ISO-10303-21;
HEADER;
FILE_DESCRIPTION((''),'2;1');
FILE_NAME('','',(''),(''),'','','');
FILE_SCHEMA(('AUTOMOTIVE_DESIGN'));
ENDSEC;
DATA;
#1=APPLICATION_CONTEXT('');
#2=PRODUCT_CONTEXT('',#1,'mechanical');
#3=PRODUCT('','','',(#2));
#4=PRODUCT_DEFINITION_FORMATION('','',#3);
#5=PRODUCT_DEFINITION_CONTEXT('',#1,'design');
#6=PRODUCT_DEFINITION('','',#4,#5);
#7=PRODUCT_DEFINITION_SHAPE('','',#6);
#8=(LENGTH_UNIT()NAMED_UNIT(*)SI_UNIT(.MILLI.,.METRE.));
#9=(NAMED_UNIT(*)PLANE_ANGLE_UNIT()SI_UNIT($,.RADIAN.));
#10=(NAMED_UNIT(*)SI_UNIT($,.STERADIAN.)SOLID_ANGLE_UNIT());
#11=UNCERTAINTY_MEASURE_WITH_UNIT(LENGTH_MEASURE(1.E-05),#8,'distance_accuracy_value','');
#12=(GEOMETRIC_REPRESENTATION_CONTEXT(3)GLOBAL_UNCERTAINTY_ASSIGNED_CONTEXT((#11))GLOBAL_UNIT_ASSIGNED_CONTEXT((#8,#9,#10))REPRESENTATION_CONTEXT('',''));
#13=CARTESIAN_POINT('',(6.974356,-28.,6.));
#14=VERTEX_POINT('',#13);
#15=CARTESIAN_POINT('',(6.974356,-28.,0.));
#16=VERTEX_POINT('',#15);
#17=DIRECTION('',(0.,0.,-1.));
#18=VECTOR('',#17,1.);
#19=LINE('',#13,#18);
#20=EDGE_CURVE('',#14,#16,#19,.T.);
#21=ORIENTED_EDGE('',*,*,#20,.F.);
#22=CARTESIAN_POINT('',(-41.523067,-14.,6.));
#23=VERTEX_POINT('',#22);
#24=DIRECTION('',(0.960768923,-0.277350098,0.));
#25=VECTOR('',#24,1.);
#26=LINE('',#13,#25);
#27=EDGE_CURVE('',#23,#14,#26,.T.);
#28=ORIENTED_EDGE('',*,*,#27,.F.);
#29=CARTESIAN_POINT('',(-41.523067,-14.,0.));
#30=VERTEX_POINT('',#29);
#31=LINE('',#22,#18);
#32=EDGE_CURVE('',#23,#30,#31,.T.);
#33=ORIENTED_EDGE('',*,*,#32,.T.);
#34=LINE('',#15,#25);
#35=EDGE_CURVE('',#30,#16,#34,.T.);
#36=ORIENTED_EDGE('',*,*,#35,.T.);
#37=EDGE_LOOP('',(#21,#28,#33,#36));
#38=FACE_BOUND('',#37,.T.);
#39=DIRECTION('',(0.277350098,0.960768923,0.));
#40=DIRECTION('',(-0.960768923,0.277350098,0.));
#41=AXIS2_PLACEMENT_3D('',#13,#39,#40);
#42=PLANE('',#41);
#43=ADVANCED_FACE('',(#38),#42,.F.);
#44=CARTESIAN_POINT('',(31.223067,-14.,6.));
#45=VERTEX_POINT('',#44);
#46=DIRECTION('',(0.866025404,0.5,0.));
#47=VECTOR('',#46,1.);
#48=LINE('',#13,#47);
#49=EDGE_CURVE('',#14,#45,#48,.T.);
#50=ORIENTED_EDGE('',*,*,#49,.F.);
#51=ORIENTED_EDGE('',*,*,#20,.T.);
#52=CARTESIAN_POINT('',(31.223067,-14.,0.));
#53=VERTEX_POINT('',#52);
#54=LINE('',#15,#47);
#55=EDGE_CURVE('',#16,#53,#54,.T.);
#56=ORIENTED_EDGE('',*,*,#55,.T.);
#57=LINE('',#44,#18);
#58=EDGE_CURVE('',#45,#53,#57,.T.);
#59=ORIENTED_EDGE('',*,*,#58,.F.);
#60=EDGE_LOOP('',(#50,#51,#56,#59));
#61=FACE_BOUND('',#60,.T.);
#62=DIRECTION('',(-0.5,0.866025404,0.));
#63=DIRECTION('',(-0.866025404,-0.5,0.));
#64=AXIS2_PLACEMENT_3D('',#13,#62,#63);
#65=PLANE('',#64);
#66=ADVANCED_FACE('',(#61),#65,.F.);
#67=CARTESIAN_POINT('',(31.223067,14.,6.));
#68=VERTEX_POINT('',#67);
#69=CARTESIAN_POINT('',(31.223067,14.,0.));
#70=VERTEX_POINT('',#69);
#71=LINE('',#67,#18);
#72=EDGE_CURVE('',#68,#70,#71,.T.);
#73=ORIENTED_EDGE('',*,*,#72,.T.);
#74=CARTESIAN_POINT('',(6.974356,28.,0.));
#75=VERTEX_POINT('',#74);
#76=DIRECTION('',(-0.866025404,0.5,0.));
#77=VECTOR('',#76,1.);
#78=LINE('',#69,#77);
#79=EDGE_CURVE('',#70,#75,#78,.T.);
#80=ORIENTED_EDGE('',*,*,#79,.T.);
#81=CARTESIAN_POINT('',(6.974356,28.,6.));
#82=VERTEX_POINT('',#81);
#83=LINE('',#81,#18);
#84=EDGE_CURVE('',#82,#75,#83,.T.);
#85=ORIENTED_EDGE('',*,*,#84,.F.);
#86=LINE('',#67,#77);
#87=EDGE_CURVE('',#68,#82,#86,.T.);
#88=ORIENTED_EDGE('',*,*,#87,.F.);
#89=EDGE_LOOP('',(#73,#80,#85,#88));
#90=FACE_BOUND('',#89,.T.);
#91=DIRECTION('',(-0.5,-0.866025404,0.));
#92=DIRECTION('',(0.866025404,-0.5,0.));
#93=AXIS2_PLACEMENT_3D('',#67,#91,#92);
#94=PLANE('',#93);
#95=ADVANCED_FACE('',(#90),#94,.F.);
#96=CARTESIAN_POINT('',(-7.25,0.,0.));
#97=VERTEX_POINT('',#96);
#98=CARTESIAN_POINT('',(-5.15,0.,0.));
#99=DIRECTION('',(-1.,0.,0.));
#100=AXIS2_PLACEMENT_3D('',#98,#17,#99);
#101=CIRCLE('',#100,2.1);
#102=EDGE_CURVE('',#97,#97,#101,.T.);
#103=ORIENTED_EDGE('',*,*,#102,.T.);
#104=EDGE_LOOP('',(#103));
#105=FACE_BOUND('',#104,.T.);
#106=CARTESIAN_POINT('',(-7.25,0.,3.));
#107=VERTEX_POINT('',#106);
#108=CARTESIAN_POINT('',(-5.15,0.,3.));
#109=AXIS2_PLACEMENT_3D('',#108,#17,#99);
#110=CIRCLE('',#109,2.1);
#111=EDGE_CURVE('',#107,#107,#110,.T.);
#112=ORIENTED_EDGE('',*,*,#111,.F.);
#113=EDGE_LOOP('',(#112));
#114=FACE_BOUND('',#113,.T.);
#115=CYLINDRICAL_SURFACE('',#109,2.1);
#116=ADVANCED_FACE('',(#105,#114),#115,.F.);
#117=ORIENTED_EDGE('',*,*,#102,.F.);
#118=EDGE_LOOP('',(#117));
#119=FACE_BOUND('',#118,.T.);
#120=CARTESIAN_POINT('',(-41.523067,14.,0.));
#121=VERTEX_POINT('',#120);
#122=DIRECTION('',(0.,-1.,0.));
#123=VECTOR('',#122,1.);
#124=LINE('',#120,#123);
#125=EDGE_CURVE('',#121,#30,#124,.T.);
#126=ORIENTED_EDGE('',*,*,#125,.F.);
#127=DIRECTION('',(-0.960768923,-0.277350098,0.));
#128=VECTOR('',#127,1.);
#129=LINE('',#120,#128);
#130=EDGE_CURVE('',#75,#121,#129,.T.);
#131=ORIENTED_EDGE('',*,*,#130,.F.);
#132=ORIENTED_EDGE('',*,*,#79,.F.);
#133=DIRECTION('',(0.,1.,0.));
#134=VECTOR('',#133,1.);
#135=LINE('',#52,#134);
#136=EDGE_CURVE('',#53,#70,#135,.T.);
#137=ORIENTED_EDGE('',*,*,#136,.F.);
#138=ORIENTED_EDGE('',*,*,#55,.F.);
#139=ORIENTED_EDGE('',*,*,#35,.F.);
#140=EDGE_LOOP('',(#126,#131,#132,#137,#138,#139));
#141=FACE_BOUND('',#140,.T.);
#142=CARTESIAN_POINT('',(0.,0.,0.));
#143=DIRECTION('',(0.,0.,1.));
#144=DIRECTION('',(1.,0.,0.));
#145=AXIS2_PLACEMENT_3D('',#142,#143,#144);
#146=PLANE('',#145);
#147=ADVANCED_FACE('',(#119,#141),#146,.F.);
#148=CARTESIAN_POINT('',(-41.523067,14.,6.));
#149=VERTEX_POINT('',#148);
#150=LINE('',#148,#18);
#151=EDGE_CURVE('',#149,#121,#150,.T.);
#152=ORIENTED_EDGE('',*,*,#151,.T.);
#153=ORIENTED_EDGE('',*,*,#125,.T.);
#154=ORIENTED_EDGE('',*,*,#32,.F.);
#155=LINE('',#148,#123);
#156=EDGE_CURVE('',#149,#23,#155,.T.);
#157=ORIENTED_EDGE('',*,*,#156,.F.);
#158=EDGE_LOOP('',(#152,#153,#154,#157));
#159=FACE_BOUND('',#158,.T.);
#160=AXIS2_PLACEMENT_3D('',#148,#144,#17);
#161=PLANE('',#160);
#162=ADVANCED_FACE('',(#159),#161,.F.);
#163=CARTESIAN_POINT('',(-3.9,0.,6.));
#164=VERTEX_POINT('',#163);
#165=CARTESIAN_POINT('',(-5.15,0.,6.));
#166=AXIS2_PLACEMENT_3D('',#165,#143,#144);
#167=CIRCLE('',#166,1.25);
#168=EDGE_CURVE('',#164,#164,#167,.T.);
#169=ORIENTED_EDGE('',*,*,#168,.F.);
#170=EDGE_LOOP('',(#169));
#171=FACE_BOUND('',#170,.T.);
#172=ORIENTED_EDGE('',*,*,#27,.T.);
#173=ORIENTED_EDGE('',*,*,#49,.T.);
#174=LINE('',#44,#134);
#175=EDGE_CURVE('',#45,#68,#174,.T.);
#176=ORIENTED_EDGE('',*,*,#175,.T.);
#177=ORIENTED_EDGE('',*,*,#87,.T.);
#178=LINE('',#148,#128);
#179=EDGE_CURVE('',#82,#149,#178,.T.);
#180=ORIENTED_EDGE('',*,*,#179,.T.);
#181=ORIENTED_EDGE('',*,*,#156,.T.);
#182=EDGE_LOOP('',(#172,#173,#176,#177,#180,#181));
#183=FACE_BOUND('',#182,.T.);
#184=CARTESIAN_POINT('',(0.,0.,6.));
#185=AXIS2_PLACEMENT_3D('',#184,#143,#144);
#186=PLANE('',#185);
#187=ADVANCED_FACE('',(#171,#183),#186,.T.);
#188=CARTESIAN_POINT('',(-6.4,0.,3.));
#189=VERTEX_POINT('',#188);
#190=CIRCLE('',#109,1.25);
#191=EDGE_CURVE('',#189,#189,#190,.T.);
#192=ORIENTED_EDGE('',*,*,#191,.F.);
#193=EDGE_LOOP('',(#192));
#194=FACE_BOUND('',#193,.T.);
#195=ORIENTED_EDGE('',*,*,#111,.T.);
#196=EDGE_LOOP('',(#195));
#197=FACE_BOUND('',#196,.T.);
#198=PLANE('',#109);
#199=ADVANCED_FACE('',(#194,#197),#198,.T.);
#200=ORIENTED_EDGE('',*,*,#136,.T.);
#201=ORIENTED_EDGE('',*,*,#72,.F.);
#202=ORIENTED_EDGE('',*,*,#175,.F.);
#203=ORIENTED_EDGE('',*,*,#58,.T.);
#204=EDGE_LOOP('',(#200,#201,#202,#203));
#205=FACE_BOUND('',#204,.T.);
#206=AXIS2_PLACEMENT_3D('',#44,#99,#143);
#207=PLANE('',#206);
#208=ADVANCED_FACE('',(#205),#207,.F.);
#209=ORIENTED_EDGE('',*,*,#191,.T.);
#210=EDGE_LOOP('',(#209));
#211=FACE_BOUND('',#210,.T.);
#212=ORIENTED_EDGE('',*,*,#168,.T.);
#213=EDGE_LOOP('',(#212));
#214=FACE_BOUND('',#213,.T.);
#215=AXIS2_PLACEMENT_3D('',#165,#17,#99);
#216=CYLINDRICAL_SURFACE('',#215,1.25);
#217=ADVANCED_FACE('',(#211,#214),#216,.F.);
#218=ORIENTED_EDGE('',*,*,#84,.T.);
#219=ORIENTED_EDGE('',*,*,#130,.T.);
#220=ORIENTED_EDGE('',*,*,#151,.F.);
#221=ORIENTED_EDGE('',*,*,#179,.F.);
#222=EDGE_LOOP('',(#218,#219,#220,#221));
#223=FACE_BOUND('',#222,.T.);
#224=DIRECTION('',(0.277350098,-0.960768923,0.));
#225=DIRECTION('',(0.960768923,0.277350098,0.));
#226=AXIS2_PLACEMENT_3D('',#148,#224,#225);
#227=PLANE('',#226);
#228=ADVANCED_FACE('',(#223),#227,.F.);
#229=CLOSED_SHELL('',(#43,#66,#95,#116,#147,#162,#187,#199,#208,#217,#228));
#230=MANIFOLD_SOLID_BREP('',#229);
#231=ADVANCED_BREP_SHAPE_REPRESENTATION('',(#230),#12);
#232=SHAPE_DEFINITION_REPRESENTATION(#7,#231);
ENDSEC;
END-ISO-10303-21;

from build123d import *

# Parameters (mm, degrees)
SKETCH1_R           = 1.25
BOSS_EXTRUDE1_DEPTH = 6
SKETCH2_R           = 2.1
CUT_EXTRUDE1_DEPTH  = 3


with BuildPart() as part:
    # Sketch1 → Boss-Extrude1 (new body)
    with BuildSketch(Plane.XY):
        Polygon((-41.523066959, 14), (-41.523066959, -14), (6.974355653, -28), (31.223066959, -14), (31.223066959, 14), (6.974355653, 28), align=None)
        with Locations((-5.15, 0)):
            Circle(SKETCH1_R, mode=Mode.SUBTRACT)
    extrude(amount=BOSS_EXTRUDE1_DEPTH)

    # Sketch2 → Cut-Extrude1 (cut)
    with BuildSketch(Plane(origin=(0, 0, 0), x_dir=(-1, 0, 0), z_dir=(0, 0, -1))):
        with Locations((5.15, 0)):
            Circle(SKETCH2_R)
    extrude(amount=-CUT_EXTRUDE1_DEPTH, mode=Mode.SUBTRACT)


solid = part.part
